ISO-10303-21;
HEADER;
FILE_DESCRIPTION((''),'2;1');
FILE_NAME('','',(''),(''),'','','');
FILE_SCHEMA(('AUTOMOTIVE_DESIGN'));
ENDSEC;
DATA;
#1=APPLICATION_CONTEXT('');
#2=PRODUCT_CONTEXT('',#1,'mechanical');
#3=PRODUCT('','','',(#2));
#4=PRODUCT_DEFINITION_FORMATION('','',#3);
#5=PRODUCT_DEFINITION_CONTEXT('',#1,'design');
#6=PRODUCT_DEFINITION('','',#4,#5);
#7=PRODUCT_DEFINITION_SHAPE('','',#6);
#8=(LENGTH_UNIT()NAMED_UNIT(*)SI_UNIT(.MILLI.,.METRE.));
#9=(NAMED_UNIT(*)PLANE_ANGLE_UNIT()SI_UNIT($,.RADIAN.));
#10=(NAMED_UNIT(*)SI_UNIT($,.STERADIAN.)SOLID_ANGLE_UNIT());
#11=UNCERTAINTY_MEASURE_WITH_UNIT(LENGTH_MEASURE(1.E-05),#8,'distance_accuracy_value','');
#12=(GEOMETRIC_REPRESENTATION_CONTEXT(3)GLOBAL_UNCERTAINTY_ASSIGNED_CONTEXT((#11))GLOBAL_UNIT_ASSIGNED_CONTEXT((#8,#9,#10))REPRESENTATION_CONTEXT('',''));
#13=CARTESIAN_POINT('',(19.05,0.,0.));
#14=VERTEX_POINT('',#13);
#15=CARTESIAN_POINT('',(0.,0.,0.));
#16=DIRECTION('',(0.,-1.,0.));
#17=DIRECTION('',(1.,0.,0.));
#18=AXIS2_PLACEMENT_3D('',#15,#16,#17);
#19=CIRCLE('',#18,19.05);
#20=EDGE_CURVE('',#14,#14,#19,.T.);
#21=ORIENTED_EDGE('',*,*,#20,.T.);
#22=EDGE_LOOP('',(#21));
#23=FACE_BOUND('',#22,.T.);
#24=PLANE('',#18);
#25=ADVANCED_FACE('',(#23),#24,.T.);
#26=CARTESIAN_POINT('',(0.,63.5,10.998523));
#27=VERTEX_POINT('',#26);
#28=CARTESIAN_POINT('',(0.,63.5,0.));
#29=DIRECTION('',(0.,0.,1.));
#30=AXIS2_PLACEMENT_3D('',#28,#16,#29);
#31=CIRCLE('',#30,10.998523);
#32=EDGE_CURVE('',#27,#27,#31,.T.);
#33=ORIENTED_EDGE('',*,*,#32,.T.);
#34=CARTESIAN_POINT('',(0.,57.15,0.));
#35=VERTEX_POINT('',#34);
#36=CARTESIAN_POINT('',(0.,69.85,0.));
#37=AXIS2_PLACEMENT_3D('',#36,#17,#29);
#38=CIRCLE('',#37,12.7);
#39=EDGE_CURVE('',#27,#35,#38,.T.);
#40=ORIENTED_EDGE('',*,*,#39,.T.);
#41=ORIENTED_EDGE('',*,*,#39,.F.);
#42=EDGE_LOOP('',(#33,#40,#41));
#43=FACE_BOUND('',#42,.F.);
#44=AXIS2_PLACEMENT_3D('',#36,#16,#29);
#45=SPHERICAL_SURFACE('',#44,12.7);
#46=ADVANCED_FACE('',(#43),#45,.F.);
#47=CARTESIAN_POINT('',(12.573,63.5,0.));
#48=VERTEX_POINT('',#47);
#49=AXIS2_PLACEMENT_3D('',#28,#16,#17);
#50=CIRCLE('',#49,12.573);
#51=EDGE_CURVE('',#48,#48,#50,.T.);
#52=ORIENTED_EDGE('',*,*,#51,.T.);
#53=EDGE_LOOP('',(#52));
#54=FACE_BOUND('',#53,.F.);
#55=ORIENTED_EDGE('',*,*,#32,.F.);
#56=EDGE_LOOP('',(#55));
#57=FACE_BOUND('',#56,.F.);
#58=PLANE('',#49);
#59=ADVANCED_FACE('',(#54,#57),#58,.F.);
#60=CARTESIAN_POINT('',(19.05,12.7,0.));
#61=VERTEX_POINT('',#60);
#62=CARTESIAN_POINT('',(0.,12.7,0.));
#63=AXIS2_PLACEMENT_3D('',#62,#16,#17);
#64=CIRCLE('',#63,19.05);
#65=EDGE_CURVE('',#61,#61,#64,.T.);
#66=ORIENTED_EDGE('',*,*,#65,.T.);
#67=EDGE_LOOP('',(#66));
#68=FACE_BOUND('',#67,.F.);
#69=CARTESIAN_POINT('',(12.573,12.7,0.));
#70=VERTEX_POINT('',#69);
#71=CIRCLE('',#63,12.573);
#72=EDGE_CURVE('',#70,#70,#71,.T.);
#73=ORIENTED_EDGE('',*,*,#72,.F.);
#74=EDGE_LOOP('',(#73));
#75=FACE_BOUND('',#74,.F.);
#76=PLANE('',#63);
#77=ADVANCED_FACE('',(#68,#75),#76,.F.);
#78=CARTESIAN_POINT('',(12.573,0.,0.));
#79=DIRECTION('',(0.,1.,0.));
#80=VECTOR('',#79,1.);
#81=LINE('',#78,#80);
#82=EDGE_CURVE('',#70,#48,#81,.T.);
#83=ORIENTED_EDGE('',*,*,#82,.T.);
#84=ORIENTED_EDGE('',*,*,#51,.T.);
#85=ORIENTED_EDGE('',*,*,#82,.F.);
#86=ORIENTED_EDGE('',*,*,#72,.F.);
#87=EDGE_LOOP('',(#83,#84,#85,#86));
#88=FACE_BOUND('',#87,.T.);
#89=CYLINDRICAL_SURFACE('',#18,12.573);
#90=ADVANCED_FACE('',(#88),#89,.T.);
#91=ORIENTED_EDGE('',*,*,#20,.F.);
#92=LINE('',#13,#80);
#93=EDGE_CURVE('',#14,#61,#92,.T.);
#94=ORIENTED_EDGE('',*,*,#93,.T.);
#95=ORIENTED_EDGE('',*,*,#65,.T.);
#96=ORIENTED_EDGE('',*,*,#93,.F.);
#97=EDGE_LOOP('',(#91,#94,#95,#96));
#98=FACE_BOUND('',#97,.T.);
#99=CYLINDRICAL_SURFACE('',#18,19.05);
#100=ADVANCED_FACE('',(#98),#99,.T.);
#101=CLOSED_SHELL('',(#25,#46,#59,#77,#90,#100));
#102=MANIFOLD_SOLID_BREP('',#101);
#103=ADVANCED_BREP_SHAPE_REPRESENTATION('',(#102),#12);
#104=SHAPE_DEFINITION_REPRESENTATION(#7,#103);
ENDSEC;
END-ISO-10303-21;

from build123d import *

# Parameters (mm, degrees)
F0_R     = 19.05
F0_R_2   = 12.573
F1_DEPTH = 12.7
F2_DEPTH = 63.5


with BuildPart() as f1:
    # F0 (on Front) → F1 (new body)
    with BuildSketch(Plane.XZ):
        Circle(F0_R)
        Circle(F0_R_2, mode=Mode.SUBTRACT)
        Circle(F0_R_2)
    extrude(amount=-F1_DEPTH)

    # F0 (on Front) → F2 (join)
    with BuildSketch(Plane.XZ):
        Circle(F0_R_2)
    extrude(amount=-F2_DEPTH)

    # F3 (on Right) → F4 (revolve, cut)
    with BuildSketch(Plane.YZ):
        with BuildLine():
            Line((69.85, 0), (69.85, 12.7))
            ThreePointArc((69.85, 12.7), (60.8697438789, 8.9802561211), (57.15, 0))
            Line((57.15, 0), (69.85, 0))
        make_face()
    revolve(axis=Axis((0, 64.3537826836, 0), (0, -1, 0)), mode=Mode.SUBTRACT)


solid = f1.part
